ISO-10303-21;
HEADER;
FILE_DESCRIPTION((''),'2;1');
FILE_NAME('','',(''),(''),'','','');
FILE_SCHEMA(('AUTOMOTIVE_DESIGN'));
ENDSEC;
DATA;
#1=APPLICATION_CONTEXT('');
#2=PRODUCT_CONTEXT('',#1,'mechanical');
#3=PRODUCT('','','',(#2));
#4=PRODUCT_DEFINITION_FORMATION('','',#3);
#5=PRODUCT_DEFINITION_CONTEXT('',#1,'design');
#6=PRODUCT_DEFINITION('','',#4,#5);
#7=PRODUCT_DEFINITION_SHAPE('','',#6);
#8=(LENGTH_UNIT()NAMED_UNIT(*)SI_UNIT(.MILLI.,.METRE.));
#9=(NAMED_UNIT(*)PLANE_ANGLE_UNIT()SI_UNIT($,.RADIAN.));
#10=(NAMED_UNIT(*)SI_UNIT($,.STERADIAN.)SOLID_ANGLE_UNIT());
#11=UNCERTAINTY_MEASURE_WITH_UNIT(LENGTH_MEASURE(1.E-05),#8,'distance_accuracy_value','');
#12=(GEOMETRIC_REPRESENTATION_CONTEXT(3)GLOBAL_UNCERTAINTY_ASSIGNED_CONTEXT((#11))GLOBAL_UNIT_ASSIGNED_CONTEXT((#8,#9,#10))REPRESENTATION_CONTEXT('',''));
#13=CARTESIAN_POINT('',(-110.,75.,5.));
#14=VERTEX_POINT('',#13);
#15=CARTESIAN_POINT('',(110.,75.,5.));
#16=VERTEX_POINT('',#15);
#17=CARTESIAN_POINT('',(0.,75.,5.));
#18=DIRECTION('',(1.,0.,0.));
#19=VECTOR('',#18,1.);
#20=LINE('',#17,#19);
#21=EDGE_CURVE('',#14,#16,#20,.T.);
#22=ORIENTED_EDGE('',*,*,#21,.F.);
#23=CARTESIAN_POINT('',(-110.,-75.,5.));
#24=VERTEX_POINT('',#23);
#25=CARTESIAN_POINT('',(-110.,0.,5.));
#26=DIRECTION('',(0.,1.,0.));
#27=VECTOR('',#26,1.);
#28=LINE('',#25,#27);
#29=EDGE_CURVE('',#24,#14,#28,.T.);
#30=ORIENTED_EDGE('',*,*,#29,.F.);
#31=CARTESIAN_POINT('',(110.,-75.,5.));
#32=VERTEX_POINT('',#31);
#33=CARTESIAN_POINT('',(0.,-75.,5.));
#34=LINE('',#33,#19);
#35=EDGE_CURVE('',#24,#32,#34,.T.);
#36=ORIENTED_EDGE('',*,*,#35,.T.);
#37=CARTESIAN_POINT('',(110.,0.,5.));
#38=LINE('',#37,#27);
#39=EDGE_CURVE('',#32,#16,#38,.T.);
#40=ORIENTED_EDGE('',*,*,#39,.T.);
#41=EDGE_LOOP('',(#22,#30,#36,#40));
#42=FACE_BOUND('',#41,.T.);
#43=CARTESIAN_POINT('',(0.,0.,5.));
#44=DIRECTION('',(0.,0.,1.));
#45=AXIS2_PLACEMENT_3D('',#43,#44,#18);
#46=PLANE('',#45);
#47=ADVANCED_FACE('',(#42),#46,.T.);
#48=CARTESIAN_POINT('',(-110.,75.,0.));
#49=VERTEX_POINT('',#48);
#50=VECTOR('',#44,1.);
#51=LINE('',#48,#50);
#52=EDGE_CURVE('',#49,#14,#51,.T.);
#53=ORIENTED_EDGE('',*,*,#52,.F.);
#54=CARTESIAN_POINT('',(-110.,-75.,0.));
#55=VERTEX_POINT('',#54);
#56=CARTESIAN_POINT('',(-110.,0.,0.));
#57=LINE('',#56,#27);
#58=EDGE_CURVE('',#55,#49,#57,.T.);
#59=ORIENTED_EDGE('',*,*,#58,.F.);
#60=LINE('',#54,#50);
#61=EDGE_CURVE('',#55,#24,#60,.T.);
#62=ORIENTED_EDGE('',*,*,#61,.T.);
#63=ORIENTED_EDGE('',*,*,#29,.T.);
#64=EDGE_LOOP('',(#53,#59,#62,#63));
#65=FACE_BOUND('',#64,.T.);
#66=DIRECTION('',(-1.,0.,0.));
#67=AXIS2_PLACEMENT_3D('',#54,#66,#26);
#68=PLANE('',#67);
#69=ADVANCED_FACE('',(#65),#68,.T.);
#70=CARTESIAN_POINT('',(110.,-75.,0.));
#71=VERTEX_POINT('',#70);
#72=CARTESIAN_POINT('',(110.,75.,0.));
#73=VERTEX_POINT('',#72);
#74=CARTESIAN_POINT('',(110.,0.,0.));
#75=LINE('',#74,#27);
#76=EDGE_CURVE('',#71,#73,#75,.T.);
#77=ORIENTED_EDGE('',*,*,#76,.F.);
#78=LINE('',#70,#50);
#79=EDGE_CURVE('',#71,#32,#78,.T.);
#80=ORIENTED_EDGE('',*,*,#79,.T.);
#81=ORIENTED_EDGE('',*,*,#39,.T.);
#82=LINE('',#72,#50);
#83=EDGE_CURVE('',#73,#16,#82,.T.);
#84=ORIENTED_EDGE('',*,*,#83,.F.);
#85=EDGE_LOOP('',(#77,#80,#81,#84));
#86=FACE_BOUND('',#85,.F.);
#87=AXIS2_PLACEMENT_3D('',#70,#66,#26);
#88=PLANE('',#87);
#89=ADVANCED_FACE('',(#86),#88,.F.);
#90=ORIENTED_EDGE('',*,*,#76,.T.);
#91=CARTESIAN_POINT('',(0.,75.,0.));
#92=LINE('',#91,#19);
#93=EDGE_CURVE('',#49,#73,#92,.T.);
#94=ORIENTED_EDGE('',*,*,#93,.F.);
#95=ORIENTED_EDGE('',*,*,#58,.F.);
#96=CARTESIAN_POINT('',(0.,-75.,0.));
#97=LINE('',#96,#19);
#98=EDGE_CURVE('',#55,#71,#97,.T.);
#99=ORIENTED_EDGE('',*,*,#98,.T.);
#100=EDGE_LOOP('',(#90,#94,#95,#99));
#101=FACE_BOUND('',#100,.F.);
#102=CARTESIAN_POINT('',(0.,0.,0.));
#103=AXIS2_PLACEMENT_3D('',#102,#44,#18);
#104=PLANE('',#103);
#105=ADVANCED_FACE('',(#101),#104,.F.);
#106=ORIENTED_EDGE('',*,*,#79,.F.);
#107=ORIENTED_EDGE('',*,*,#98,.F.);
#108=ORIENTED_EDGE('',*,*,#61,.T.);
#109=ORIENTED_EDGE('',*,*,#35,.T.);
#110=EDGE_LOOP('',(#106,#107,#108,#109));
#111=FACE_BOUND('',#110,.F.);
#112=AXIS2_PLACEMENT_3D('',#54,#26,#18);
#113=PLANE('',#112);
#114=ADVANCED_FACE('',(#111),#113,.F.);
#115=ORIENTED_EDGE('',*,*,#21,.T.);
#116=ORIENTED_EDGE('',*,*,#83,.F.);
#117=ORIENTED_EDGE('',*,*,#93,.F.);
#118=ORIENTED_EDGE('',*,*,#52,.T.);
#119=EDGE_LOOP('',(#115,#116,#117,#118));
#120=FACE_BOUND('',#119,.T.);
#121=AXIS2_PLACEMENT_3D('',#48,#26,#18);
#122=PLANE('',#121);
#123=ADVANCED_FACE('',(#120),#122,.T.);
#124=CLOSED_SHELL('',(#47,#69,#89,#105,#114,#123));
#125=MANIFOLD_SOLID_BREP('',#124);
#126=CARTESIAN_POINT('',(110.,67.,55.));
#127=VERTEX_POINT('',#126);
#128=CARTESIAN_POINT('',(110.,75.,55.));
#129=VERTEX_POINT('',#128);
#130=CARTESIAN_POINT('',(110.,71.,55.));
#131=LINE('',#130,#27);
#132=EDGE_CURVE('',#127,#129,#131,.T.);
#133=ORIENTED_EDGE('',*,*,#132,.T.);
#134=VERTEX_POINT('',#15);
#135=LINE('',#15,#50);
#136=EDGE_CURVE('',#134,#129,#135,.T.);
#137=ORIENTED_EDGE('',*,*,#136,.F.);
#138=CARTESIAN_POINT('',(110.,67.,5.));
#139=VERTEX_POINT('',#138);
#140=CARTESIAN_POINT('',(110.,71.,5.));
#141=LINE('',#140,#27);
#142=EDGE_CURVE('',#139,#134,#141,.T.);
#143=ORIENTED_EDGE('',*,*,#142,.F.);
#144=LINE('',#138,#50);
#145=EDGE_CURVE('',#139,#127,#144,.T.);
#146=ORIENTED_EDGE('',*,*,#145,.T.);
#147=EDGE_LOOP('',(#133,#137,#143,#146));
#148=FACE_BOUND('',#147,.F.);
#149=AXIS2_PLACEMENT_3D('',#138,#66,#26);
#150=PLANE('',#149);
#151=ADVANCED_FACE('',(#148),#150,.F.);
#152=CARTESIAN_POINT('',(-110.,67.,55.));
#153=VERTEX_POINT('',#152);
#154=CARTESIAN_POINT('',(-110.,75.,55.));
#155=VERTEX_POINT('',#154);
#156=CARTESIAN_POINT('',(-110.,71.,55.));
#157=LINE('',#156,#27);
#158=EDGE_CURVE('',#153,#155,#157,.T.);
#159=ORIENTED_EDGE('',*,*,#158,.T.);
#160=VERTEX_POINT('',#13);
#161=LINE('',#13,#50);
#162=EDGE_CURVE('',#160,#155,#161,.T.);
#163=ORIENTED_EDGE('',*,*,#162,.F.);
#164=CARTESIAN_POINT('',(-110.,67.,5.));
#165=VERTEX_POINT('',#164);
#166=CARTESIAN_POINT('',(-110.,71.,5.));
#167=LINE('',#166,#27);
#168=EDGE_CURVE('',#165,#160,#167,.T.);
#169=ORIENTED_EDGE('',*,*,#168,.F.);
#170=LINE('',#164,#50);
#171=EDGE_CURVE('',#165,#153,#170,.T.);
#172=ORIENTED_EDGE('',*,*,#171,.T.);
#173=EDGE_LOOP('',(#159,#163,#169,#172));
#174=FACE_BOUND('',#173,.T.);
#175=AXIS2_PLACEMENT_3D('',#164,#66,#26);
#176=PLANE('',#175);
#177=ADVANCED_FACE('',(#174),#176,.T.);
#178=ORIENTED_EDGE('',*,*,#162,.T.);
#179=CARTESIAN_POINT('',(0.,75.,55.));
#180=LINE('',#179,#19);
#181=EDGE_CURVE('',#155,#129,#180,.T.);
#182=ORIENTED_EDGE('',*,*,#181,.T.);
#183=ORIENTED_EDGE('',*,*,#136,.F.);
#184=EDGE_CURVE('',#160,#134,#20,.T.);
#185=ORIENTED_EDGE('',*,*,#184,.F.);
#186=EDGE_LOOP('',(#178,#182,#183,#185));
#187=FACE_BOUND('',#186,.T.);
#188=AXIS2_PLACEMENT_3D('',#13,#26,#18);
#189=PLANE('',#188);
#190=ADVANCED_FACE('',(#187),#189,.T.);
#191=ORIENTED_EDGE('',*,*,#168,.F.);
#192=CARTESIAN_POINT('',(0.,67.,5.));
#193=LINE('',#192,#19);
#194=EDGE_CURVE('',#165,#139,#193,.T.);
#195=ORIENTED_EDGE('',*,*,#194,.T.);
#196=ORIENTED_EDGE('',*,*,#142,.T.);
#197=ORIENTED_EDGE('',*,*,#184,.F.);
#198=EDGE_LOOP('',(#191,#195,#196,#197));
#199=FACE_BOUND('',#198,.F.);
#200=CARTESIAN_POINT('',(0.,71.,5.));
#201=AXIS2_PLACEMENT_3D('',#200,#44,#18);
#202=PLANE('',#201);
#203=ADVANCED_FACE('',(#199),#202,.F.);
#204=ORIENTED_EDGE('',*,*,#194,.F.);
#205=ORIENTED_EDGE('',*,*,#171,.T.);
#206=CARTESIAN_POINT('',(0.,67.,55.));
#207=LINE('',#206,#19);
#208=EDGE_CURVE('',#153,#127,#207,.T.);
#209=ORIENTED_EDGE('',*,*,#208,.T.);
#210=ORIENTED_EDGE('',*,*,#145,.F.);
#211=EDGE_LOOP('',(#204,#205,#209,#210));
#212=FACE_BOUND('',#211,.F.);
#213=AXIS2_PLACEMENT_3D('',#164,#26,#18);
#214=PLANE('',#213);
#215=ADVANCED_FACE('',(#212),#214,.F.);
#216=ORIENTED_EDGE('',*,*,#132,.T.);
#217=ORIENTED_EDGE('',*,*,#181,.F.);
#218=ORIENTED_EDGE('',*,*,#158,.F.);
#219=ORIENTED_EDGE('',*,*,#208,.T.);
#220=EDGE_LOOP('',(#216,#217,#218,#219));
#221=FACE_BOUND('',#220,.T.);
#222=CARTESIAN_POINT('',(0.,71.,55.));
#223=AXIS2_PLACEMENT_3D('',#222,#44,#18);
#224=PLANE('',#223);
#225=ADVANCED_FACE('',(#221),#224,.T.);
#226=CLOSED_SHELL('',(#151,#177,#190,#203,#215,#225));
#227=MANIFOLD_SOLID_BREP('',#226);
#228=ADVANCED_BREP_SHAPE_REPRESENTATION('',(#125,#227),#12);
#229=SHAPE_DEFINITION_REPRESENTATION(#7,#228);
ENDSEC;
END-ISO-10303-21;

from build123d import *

# Parameters (mm, degrees)
F0_W     = 220
F0_H     = 150
F1_DEPTH = 5
F2_W     = 220
F2_H     = 8
F3_DEPTH = 50


with BuildPart() as f1:
    # F0 (on Top) → F1 (new body)
    with BuildSketch(Plane.XY):
        Rectangle(F0_W, F0_H)
    extrude(amount=F1_DEPTH)


with BuildPart() as f3:
    # F2 (on face) → F3 (new body)
    with BuildSketch(Plane.XY.offset(5)):
        with Locations((0, 71)):
            Rectangle(F2_W, F2_H)
    extrude(amount=F3_DEPTH)


solid = Compound([f1.part, f3.part])
